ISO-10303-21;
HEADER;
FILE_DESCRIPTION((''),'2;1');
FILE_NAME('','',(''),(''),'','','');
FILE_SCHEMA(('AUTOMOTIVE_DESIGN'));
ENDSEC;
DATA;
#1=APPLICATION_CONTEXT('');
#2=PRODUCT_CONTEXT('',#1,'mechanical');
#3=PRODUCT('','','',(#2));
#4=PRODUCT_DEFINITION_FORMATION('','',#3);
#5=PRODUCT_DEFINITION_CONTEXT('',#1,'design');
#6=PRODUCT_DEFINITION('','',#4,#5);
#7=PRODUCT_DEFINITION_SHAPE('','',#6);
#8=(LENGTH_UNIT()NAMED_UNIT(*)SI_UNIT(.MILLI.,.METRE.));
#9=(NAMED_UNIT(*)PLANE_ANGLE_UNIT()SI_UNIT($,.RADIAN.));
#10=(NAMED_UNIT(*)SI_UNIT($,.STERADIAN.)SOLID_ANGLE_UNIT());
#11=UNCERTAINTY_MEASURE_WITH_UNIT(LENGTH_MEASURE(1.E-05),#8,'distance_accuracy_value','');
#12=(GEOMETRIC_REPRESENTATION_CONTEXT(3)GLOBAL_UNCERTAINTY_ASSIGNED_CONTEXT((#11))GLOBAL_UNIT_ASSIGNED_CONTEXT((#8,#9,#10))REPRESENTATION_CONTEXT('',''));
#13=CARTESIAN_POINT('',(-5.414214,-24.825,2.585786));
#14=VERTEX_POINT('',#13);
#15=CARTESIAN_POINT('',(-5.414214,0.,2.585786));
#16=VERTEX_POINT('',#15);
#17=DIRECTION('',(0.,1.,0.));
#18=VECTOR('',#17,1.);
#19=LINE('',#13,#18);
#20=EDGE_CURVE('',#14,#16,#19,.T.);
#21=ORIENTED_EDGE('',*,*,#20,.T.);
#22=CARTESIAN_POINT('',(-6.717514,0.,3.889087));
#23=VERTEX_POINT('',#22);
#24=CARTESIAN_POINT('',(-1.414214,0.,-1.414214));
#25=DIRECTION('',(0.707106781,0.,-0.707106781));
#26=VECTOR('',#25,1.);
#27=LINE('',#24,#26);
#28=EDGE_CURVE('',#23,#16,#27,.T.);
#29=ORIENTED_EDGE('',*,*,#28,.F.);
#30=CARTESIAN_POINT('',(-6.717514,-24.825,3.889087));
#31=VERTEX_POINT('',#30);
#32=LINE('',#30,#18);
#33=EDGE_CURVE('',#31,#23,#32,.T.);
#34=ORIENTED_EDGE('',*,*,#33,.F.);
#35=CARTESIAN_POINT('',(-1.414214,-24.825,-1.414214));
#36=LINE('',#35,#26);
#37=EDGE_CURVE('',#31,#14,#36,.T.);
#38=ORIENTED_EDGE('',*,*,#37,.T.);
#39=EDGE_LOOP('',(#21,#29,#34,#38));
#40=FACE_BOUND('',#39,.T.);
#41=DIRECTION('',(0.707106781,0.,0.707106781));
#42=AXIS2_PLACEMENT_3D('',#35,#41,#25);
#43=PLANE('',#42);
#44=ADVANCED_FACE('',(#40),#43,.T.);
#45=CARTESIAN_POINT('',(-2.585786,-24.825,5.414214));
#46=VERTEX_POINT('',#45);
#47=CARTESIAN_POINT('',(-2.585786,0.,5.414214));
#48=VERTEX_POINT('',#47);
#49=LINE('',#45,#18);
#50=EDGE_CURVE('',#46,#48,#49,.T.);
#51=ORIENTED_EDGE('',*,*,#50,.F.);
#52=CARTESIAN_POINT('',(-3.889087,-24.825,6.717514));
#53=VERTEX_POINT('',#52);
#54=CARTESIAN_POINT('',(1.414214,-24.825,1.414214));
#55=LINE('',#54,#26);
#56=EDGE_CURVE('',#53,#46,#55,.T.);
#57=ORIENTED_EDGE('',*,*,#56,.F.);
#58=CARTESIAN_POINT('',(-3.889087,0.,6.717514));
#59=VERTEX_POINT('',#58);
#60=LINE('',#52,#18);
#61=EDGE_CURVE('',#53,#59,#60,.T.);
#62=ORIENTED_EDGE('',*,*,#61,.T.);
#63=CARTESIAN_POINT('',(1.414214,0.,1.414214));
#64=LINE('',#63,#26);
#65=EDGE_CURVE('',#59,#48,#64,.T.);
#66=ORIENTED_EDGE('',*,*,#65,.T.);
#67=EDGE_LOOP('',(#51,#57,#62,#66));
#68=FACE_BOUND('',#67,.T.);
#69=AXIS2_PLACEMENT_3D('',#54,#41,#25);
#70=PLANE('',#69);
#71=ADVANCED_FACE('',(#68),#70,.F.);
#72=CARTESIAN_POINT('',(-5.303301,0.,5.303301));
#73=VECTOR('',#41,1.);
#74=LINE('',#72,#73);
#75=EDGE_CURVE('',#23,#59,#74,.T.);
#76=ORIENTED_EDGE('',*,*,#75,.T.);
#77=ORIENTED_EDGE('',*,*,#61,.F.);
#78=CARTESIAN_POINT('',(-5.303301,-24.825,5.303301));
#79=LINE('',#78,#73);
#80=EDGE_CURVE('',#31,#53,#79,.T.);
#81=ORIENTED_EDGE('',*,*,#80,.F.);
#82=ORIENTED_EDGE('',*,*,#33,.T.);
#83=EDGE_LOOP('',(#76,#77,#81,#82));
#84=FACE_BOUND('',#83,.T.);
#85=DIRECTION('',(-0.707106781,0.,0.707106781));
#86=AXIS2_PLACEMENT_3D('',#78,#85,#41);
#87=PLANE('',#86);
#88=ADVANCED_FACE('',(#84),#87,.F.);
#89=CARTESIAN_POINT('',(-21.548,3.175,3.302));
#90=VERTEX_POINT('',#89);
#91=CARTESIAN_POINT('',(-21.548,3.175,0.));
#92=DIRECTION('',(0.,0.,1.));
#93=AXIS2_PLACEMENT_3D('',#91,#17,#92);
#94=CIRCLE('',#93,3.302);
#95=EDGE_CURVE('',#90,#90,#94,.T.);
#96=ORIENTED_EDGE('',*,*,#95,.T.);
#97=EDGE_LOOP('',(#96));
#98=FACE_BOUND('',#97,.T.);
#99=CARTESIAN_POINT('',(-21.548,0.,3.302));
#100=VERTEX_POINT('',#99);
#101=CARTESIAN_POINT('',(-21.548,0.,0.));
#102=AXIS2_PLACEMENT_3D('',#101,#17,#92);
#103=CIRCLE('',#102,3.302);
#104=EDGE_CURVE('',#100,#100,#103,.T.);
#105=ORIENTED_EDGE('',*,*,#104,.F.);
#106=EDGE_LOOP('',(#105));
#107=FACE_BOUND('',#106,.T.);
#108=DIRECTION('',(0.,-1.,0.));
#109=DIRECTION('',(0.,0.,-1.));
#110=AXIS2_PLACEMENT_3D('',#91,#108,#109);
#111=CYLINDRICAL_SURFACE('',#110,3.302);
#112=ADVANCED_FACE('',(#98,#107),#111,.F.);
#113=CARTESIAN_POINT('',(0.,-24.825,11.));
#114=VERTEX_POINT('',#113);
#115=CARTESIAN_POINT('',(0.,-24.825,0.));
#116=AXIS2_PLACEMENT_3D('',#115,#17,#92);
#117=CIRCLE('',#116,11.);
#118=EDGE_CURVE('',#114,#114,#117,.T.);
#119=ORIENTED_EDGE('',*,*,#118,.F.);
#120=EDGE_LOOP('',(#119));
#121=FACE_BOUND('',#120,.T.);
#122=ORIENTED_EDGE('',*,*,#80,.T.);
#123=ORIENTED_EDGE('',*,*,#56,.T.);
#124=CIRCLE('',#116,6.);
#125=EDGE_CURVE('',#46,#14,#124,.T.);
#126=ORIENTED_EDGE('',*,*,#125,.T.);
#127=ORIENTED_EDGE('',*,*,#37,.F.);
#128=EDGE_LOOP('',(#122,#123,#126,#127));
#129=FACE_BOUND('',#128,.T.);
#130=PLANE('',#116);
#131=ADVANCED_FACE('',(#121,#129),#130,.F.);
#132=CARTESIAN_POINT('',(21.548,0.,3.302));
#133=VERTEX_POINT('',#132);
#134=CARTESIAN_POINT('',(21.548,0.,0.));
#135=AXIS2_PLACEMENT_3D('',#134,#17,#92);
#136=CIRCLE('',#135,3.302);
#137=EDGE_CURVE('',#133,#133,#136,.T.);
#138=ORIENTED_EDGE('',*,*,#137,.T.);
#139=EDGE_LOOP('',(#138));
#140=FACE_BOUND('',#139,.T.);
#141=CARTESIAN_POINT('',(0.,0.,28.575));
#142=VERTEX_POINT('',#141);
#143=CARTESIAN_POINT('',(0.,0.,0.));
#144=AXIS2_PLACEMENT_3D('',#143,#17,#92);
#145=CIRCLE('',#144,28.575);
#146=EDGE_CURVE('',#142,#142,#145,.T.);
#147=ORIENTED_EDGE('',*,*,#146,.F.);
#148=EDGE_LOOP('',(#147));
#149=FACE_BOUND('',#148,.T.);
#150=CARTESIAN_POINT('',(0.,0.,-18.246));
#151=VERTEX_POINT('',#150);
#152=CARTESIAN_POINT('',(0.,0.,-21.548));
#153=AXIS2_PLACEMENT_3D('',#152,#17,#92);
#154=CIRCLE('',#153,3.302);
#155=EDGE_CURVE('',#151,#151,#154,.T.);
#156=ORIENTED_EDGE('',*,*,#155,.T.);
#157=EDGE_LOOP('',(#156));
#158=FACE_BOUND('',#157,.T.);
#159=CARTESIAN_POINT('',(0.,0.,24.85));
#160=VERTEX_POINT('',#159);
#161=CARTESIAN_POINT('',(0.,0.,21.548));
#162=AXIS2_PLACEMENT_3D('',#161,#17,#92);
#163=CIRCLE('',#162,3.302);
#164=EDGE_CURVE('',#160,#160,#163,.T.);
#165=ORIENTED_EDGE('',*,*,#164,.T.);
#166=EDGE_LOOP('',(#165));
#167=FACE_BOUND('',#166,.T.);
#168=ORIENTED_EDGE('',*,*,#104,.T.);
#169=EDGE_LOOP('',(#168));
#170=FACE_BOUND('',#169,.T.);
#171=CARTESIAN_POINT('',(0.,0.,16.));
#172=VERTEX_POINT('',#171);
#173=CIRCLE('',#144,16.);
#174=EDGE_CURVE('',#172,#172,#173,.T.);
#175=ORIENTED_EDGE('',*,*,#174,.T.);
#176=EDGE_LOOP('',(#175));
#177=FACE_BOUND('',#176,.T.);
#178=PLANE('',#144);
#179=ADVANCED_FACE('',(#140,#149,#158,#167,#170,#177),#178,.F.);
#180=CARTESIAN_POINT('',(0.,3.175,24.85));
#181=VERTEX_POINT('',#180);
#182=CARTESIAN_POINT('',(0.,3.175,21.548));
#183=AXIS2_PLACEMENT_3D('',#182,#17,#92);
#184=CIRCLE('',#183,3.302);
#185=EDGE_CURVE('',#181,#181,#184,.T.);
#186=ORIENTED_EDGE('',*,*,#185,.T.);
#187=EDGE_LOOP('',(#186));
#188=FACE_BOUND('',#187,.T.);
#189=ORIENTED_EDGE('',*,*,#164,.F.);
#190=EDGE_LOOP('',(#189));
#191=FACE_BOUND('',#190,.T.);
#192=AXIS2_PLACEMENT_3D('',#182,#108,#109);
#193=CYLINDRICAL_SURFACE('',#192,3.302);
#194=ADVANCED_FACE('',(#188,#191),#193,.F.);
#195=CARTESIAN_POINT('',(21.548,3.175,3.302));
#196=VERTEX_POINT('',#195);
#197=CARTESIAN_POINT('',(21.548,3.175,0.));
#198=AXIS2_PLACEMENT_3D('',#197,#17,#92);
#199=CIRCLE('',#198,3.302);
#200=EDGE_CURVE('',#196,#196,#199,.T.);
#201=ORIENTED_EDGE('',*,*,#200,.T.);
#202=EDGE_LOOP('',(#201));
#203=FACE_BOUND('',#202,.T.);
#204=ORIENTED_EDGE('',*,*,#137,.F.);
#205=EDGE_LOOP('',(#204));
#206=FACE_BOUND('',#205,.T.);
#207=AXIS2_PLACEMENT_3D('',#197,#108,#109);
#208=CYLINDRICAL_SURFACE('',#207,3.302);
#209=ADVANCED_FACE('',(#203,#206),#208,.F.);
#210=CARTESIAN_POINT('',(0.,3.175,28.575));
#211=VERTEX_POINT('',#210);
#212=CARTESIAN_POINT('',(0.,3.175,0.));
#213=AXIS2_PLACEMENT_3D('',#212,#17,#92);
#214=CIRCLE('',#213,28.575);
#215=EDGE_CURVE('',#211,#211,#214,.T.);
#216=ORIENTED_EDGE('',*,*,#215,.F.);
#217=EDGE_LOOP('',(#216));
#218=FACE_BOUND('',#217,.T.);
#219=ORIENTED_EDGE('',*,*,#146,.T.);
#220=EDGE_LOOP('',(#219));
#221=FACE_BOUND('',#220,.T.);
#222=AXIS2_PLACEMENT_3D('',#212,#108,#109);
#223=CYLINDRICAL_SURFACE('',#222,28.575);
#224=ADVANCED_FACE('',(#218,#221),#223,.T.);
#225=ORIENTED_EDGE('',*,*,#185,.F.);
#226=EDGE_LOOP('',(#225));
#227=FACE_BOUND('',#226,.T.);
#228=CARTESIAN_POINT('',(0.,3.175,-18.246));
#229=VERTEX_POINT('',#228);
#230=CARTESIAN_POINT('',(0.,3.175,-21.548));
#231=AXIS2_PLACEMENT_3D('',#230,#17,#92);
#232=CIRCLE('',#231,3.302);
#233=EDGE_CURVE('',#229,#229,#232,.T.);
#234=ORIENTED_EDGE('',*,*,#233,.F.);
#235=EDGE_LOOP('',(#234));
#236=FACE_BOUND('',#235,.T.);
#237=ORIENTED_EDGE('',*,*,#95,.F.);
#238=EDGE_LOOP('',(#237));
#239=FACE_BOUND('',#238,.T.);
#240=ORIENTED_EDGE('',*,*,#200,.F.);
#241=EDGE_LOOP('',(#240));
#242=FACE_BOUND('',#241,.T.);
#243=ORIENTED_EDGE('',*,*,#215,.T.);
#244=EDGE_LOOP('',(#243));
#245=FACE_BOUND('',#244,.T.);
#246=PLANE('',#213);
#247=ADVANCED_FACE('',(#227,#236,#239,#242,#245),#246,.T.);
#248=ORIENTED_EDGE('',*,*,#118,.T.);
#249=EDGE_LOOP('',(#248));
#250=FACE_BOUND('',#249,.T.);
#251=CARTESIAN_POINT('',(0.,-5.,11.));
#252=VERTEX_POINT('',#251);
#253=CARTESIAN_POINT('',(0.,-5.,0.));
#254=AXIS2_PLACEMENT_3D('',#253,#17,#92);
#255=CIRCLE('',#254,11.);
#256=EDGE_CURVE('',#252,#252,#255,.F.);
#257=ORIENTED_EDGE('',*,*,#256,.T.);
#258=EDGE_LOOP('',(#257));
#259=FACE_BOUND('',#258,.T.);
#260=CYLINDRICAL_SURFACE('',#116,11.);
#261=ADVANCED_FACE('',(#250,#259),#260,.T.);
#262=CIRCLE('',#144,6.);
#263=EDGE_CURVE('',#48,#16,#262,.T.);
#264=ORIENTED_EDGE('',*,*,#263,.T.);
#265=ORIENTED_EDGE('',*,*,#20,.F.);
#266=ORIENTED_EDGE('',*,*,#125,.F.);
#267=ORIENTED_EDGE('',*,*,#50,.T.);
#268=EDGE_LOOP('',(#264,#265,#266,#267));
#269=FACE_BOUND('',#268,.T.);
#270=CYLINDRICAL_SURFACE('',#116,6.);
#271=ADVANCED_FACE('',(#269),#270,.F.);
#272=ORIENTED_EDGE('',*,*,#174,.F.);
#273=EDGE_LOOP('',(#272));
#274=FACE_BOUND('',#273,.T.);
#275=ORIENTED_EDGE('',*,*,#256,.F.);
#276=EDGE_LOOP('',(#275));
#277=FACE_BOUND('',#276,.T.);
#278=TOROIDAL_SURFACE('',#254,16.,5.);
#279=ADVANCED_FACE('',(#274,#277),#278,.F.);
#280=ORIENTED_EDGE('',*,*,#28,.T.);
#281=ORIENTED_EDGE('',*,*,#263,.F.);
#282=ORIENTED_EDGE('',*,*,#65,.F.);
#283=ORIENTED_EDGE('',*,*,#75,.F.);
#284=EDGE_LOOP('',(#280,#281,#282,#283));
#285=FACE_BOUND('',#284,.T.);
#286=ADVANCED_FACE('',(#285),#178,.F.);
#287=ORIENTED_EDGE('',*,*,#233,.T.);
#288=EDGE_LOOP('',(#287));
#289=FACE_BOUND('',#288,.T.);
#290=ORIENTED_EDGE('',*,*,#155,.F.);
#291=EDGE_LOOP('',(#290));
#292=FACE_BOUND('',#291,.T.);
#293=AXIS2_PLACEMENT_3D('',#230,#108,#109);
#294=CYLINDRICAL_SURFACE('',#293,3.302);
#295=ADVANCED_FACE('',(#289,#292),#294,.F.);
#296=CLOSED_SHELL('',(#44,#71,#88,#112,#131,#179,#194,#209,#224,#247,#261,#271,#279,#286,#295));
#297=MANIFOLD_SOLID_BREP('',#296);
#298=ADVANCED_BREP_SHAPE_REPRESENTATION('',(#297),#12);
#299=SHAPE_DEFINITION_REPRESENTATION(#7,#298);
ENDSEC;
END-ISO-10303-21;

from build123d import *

# Parameters (mm, degrees)
SKETCH1_R           = 28.575
SKETCH1_R_2         = 3.302
SKETCH1_R_3         = 11
BOSS_EXTRUDE1_DEPTH = 3.175
SKETCH1_4_R         = 11
BOSS_EXTRUDE2_DEPTH = 3.175
SKETCH1_5_R         = 11
BOSS_EXTRUDE3_DEPTH = 24.825
FILLET1_R           = 5


with BuildPart() as part:
    # Sketch1 → Boss-Extrude1 (new body)
    with BuildSketch(Plane(origin=(0, 0, 0), x_dir=(1, 0, 0), z_dir=(0, 1, 0))):
        Circle(SKETCH1_R)
        with Locations((0, -21.548)):
            Circle(SKETCH1_R_2, mode=Mode.SUBTRACT)
        with Locations((-21.548, 0)):
            Circle(SKETCH1_R_2, mode=Mode.SUBTRACT)
        Circle(SKETCH1_R_3, mode=Mode.SUBTRACT)
        with BuildLine():
            ThreePointArc((24.85, 0), (21.548, -3.302), (18.246, 0))
            ThreePointArc((18.246, 0), (21.548, 3.302), (24.85, 0))
        make_face(mode=Mode.SUBTRACT)
        with Locations((0, 21.548)):
            Circle(SKETCH1_R_2, mode=Mode.SUBTRACT)
    extrude(amount=BOSS_EXTRUDE1_DEPTH)

    # Sketch1<4> → Boss-Extrude2 (add)
    with BuildSketch(Plane(origin=(0, 0, 0), x_dir=(1, 0, 0), z_dir=(0, 1, 0))):
        Circle(SKETCH1_4_R)
    extrude(amount=BOSS_EXTRUDE2_DEPTH)

    # Sketch1<5> → Boss-Extrude3 (add)
    with BuildSketch(Plane(origin=(0, 0, 0), x_dir=(1, 0, 0), z_dir=(0, 1, 0))):
        Circle(SKETCH1_5_R)
        with BuildLine():
            ThreePointArc((-5.414213562, -2.585786438), (-1.325654296, 5.851721173), (6, 0))
            ThreePointArc((6, 0), (3.200412581, -5.075170865), (-2.585786438, -5.414213562))
            Line((-2.585786438, -5.414213562), (-3.889087297, -6.717514421))
            Line((-3.889087297, -6.717514421), (-6.717514421, -3.889087297))
            Line((-6.717514421, -3.889087297), (-5.414213562, -2.585786438))
        make_face(mode=Mode.SUBTRACT)
    extrude(amount=-BOSS_EXTRUDE3_DEPTH)

    # Fillet1
    fillet1_edges = [part.edges().sort_by_distance(p)[0] for p in [
        (-11, 0, 0),
    ]]
    fillet(fillet1_edges, radius=FILLET1_R)


solid = part.part
